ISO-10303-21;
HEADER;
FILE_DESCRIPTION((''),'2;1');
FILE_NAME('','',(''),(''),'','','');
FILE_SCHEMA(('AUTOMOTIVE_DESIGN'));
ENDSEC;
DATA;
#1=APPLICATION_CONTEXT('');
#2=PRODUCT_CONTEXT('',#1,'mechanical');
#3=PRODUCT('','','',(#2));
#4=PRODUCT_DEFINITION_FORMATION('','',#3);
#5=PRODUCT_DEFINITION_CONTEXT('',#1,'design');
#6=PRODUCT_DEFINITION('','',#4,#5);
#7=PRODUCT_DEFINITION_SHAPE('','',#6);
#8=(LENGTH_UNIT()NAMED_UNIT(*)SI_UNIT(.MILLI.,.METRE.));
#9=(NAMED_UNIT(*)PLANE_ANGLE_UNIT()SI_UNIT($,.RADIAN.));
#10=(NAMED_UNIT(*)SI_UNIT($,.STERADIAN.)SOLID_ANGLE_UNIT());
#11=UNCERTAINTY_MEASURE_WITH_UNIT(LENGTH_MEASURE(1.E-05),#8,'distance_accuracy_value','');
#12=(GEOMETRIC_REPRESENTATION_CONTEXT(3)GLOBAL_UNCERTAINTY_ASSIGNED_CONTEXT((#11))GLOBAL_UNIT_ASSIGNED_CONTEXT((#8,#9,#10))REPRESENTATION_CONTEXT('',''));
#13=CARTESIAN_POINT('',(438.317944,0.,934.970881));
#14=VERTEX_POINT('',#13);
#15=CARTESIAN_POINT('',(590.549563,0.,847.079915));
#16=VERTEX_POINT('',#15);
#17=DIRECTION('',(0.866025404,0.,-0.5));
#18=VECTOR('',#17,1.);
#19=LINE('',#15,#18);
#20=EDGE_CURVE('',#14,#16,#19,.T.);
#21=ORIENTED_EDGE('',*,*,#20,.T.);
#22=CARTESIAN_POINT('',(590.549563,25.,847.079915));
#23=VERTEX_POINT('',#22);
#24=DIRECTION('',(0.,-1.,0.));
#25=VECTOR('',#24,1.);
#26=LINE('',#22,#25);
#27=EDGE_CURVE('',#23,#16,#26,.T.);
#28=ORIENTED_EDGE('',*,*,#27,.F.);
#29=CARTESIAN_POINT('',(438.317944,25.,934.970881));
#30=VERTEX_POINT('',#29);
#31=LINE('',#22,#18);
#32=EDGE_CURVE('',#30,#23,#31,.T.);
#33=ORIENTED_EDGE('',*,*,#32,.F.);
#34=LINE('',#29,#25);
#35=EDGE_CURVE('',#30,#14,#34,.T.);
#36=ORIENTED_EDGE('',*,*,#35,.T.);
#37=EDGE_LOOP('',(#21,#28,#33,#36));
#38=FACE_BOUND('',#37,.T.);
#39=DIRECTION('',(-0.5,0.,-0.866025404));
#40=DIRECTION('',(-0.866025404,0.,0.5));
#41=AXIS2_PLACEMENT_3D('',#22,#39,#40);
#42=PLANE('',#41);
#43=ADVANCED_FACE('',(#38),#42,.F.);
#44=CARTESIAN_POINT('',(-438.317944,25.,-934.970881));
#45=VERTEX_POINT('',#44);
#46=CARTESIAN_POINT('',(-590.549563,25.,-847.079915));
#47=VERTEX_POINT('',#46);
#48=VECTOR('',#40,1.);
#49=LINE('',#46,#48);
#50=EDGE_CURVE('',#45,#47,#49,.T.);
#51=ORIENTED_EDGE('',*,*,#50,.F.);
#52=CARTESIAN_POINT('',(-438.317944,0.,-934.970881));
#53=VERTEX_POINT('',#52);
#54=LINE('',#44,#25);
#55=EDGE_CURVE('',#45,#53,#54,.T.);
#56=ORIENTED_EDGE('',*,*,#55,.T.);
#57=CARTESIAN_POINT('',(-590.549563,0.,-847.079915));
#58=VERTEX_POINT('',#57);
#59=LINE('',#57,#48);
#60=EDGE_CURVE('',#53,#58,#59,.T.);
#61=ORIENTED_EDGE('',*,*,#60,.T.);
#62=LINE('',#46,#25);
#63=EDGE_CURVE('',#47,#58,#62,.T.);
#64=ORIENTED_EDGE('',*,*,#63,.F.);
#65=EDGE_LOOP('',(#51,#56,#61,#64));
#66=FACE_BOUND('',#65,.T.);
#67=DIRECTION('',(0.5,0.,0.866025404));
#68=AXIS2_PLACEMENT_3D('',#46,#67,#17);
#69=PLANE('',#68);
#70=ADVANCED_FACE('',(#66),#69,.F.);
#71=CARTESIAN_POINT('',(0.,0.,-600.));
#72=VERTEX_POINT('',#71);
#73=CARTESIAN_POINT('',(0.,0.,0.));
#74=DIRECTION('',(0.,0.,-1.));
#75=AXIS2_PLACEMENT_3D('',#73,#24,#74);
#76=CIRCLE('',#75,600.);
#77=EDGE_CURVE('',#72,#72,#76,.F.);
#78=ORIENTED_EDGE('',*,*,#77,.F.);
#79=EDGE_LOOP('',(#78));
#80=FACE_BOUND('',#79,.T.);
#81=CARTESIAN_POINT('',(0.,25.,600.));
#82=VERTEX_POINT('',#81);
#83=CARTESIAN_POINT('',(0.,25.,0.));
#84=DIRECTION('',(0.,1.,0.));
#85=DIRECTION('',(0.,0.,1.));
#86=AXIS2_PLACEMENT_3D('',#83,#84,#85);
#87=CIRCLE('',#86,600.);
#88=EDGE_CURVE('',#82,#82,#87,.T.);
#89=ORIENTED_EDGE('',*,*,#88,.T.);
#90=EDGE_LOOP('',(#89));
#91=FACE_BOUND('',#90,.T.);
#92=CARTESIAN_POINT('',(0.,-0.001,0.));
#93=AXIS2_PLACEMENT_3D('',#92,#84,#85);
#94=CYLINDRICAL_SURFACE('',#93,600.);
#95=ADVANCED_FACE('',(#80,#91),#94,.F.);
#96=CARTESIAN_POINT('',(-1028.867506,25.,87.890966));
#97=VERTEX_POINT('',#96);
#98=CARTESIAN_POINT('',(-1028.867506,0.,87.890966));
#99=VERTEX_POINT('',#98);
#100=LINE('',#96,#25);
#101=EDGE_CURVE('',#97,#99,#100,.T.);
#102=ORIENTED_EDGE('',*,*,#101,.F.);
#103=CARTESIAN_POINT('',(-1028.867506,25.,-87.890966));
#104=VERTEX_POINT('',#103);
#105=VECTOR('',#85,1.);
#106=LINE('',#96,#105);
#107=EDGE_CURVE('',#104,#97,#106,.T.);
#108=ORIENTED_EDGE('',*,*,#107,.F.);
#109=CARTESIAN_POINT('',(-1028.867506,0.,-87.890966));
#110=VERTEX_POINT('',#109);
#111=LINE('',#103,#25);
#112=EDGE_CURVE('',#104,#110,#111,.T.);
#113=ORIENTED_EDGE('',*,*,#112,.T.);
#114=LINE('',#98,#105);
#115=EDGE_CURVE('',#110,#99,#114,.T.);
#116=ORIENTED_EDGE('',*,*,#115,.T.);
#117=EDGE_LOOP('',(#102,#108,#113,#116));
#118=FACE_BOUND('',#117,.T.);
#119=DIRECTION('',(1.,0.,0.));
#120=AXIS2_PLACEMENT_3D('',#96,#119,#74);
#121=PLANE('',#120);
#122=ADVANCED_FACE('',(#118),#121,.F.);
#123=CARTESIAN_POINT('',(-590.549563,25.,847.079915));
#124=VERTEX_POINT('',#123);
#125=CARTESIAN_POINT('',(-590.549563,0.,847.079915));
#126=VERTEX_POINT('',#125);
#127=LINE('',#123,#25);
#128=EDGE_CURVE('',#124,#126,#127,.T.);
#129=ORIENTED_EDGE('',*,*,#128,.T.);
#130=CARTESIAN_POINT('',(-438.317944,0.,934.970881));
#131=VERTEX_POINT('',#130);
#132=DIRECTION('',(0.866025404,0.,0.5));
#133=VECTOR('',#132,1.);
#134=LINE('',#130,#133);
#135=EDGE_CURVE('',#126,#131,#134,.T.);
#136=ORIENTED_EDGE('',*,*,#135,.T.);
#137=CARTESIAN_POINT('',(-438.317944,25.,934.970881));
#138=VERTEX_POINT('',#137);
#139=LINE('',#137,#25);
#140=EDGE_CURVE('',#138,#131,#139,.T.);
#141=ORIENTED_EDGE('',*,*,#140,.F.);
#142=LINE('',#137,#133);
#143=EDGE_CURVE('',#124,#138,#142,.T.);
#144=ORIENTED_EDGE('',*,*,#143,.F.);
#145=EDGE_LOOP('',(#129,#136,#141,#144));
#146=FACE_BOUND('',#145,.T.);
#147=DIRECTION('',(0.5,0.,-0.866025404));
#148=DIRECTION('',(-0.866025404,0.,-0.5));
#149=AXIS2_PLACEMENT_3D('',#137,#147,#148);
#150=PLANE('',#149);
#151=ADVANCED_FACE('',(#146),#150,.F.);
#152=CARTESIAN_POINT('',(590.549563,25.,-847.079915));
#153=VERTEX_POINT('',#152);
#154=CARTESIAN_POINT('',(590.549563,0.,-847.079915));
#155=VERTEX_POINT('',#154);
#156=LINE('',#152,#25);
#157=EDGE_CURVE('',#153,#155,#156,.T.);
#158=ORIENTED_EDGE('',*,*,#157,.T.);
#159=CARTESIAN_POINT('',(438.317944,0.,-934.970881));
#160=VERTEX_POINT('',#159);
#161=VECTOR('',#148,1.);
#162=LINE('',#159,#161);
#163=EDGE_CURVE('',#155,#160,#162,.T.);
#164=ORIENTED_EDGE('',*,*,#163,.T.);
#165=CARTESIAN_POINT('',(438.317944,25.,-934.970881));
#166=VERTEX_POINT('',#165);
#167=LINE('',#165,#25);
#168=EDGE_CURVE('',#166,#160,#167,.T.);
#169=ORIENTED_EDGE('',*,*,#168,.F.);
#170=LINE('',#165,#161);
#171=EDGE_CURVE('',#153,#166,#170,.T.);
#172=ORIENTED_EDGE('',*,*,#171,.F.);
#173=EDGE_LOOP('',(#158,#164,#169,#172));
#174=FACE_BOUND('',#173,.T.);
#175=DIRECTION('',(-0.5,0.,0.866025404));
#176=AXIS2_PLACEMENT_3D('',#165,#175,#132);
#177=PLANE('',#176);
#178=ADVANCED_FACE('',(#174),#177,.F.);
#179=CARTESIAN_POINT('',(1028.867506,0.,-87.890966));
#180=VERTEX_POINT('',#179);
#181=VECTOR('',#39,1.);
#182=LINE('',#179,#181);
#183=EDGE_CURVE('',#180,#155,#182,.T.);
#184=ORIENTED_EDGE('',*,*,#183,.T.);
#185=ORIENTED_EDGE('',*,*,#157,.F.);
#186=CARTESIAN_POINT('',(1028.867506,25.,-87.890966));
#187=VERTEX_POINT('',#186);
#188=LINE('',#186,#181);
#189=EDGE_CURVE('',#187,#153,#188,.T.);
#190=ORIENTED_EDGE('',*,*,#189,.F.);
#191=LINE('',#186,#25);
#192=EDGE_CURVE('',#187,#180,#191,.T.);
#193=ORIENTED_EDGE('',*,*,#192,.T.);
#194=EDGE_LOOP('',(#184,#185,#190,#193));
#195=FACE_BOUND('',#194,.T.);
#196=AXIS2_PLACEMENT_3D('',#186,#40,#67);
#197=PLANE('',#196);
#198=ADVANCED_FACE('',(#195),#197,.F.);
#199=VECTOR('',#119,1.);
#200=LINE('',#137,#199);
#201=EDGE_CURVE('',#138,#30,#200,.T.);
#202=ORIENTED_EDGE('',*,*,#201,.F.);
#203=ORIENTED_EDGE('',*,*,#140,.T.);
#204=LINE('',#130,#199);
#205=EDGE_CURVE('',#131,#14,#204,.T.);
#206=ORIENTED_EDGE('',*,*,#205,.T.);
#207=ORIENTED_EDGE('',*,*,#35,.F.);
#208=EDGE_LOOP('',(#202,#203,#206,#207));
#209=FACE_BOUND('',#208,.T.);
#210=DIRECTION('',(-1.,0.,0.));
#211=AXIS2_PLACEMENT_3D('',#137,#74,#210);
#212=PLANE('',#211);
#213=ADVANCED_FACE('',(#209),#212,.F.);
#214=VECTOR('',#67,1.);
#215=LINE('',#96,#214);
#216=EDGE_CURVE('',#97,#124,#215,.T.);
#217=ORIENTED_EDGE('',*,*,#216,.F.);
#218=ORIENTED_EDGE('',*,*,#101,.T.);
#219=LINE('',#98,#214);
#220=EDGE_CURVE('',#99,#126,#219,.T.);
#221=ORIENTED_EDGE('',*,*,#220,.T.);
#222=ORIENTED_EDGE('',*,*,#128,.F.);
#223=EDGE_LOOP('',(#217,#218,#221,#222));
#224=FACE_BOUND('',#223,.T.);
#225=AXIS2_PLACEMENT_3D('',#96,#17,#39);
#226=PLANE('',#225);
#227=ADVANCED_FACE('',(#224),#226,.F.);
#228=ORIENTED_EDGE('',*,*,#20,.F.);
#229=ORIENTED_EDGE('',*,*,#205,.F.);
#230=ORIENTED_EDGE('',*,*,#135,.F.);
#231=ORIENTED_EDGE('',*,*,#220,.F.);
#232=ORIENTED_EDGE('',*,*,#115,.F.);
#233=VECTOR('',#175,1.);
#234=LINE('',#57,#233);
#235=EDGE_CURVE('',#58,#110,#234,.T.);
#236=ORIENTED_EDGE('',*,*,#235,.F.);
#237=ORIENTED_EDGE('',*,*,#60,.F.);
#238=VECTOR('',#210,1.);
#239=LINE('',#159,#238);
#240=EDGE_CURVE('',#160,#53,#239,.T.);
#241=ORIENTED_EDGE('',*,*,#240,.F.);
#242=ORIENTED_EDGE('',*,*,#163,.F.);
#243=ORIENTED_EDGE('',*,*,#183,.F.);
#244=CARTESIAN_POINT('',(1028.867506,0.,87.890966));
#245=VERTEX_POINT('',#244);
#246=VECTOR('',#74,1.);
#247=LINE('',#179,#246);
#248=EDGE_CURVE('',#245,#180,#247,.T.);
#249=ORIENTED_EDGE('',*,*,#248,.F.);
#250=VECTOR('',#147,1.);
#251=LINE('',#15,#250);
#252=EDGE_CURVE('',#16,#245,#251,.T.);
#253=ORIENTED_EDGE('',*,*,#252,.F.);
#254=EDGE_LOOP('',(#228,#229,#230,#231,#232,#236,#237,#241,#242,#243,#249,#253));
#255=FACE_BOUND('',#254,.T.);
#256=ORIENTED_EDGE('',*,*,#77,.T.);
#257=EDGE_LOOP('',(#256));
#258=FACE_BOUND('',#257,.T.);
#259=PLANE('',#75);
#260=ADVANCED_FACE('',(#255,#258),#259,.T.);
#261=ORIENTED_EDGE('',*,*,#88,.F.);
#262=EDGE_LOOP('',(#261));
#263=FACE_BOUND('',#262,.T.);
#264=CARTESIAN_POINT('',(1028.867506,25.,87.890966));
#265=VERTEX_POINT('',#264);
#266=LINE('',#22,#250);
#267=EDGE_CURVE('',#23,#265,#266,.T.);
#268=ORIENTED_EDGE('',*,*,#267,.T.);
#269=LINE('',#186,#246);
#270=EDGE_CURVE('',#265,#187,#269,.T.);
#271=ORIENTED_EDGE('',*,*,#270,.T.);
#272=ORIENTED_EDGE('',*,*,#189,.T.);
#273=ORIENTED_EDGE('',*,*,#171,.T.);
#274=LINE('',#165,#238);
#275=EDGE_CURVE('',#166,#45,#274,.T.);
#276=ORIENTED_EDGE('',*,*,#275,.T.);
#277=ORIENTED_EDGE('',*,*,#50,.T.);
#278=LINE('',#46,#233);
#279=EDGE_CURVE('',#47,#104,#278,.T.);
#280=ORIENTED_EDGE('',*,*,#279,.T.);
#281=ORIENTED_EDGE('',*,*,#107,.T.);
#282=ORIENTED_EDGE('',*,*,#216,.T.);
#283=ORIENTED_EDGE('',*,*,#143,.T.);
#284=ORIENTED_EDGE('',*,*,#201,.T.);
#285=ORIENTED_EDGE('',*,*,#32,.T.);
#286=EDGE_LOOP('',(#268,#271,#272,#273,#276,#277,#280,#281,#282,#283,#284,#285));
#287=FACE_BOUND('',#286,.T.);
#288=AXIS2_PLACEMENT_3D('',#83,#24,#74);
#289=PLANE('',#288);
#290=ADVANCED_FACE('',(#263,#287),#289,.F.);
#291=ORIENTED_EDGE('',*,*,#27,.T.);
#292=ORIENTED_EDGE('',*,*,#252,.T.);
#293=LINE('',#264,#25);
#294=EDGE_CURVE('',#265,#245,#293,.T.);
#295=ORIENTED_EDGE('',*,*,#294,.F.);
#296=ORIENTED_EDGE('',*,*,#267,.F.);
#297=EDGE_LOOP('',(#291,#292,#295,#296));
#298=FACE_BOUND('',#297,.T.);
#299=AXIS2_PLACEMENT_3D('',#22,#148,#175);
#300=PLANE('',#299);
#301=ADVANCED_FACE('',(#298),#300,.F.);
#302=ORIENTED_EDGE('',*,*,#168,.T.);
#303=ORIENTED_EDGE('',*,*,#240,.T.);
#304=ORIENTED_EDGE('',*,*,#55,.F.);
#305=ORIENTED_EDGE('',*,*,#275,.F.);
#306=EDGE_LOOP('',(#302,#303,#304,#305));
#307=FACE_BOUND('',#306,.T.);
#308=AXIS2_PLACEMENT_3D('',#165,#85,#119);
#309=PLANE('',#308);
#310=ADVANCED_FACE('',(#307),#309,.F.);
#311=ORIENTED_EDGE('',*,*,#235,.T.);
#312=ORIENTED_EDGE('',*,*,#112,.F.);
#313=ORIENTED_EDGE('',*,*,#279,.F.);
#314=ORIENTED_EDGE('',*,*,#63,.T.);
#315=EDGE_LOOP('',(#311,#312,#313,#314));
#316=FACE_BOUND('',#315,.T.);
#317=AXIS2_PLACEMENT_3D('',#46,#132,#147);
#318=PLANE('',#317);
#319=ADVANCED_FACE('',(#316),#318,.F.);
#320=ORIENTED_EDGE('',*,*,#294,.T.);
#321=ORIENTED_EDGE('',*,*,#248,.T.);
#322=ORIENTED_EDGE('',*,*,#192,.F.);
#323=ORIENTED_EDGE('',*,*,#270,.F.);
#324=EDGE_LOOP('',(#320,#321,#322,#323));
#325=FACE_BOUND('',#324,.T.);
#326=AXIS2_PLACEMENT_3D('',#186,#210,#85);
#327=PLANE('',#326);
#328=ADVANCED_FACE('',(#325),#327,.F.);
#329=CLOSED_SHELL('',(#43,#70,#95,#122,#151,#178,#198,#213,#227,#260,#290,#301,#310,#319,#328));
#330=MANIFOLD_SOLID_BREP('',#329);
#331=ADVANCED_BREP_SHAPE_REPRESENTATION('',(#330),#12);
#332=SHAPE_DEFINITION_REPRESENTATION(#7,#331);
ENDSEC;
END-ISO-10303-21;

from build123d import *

# Parameters (mm, degrees)
BOSS_EXTRUDE1_DEPTH = 25
CUT_EXTRUDE1_REACH  = 1392.455
SKETCH2_R           = 600


with BuildPart() as part:
    # Sketch1 → Boss-Extrude1 (new body)
    with BuildSketch(Plane(origin=(0, 0, 0), x_dir=(1, 0, 0), z_dir=(0, 1, 0))):
        Polygon((438.317943801, 934.970880832), (590.549562699, 847.079914683), (1028.8675065, 87.89096615), (1028.8675065, -87.89096615), (590.549562699, -847.079914683), (438.317943801, -934.970880832), (-438.317943801, -934.970880832), (-590.549562699, -847.079914683), (-1028.8675065, -87.89096615), (-1028.8675065, 87.89096615), (-590.549562699, 847.079914683), (-438.317943801, 934.970880832), align=None)
    extrude(amount=BOSS_EXTRUDE1_DEPTH)

    # Sketch2 → Cut-Extrude1 (cut, up to next)
    with BuildSketch(Plane(origin=(0, 25, 0), x_dir=(1, 0, 0), z_dir=(0, 1, 0)), mode=Mode.PRIVATE) as cut_extrude1_sk1:
        with Locations(Location((0, 0, 0), (0, 0, 270))):
            Circle(SKETCH2_R)
    cut_extrude1_tool1 = extrude(cut_extrude1_sk1.sketch, amount=-CUT_EXTRUDE1_REACH, mode=Mode.PRIVATE) & part.part
    add(cut_extrude1_tool1.solids().sort_by_distance((0, 25, 0))[0], mode=Mode.SUBTRACT)


solid = part.part
